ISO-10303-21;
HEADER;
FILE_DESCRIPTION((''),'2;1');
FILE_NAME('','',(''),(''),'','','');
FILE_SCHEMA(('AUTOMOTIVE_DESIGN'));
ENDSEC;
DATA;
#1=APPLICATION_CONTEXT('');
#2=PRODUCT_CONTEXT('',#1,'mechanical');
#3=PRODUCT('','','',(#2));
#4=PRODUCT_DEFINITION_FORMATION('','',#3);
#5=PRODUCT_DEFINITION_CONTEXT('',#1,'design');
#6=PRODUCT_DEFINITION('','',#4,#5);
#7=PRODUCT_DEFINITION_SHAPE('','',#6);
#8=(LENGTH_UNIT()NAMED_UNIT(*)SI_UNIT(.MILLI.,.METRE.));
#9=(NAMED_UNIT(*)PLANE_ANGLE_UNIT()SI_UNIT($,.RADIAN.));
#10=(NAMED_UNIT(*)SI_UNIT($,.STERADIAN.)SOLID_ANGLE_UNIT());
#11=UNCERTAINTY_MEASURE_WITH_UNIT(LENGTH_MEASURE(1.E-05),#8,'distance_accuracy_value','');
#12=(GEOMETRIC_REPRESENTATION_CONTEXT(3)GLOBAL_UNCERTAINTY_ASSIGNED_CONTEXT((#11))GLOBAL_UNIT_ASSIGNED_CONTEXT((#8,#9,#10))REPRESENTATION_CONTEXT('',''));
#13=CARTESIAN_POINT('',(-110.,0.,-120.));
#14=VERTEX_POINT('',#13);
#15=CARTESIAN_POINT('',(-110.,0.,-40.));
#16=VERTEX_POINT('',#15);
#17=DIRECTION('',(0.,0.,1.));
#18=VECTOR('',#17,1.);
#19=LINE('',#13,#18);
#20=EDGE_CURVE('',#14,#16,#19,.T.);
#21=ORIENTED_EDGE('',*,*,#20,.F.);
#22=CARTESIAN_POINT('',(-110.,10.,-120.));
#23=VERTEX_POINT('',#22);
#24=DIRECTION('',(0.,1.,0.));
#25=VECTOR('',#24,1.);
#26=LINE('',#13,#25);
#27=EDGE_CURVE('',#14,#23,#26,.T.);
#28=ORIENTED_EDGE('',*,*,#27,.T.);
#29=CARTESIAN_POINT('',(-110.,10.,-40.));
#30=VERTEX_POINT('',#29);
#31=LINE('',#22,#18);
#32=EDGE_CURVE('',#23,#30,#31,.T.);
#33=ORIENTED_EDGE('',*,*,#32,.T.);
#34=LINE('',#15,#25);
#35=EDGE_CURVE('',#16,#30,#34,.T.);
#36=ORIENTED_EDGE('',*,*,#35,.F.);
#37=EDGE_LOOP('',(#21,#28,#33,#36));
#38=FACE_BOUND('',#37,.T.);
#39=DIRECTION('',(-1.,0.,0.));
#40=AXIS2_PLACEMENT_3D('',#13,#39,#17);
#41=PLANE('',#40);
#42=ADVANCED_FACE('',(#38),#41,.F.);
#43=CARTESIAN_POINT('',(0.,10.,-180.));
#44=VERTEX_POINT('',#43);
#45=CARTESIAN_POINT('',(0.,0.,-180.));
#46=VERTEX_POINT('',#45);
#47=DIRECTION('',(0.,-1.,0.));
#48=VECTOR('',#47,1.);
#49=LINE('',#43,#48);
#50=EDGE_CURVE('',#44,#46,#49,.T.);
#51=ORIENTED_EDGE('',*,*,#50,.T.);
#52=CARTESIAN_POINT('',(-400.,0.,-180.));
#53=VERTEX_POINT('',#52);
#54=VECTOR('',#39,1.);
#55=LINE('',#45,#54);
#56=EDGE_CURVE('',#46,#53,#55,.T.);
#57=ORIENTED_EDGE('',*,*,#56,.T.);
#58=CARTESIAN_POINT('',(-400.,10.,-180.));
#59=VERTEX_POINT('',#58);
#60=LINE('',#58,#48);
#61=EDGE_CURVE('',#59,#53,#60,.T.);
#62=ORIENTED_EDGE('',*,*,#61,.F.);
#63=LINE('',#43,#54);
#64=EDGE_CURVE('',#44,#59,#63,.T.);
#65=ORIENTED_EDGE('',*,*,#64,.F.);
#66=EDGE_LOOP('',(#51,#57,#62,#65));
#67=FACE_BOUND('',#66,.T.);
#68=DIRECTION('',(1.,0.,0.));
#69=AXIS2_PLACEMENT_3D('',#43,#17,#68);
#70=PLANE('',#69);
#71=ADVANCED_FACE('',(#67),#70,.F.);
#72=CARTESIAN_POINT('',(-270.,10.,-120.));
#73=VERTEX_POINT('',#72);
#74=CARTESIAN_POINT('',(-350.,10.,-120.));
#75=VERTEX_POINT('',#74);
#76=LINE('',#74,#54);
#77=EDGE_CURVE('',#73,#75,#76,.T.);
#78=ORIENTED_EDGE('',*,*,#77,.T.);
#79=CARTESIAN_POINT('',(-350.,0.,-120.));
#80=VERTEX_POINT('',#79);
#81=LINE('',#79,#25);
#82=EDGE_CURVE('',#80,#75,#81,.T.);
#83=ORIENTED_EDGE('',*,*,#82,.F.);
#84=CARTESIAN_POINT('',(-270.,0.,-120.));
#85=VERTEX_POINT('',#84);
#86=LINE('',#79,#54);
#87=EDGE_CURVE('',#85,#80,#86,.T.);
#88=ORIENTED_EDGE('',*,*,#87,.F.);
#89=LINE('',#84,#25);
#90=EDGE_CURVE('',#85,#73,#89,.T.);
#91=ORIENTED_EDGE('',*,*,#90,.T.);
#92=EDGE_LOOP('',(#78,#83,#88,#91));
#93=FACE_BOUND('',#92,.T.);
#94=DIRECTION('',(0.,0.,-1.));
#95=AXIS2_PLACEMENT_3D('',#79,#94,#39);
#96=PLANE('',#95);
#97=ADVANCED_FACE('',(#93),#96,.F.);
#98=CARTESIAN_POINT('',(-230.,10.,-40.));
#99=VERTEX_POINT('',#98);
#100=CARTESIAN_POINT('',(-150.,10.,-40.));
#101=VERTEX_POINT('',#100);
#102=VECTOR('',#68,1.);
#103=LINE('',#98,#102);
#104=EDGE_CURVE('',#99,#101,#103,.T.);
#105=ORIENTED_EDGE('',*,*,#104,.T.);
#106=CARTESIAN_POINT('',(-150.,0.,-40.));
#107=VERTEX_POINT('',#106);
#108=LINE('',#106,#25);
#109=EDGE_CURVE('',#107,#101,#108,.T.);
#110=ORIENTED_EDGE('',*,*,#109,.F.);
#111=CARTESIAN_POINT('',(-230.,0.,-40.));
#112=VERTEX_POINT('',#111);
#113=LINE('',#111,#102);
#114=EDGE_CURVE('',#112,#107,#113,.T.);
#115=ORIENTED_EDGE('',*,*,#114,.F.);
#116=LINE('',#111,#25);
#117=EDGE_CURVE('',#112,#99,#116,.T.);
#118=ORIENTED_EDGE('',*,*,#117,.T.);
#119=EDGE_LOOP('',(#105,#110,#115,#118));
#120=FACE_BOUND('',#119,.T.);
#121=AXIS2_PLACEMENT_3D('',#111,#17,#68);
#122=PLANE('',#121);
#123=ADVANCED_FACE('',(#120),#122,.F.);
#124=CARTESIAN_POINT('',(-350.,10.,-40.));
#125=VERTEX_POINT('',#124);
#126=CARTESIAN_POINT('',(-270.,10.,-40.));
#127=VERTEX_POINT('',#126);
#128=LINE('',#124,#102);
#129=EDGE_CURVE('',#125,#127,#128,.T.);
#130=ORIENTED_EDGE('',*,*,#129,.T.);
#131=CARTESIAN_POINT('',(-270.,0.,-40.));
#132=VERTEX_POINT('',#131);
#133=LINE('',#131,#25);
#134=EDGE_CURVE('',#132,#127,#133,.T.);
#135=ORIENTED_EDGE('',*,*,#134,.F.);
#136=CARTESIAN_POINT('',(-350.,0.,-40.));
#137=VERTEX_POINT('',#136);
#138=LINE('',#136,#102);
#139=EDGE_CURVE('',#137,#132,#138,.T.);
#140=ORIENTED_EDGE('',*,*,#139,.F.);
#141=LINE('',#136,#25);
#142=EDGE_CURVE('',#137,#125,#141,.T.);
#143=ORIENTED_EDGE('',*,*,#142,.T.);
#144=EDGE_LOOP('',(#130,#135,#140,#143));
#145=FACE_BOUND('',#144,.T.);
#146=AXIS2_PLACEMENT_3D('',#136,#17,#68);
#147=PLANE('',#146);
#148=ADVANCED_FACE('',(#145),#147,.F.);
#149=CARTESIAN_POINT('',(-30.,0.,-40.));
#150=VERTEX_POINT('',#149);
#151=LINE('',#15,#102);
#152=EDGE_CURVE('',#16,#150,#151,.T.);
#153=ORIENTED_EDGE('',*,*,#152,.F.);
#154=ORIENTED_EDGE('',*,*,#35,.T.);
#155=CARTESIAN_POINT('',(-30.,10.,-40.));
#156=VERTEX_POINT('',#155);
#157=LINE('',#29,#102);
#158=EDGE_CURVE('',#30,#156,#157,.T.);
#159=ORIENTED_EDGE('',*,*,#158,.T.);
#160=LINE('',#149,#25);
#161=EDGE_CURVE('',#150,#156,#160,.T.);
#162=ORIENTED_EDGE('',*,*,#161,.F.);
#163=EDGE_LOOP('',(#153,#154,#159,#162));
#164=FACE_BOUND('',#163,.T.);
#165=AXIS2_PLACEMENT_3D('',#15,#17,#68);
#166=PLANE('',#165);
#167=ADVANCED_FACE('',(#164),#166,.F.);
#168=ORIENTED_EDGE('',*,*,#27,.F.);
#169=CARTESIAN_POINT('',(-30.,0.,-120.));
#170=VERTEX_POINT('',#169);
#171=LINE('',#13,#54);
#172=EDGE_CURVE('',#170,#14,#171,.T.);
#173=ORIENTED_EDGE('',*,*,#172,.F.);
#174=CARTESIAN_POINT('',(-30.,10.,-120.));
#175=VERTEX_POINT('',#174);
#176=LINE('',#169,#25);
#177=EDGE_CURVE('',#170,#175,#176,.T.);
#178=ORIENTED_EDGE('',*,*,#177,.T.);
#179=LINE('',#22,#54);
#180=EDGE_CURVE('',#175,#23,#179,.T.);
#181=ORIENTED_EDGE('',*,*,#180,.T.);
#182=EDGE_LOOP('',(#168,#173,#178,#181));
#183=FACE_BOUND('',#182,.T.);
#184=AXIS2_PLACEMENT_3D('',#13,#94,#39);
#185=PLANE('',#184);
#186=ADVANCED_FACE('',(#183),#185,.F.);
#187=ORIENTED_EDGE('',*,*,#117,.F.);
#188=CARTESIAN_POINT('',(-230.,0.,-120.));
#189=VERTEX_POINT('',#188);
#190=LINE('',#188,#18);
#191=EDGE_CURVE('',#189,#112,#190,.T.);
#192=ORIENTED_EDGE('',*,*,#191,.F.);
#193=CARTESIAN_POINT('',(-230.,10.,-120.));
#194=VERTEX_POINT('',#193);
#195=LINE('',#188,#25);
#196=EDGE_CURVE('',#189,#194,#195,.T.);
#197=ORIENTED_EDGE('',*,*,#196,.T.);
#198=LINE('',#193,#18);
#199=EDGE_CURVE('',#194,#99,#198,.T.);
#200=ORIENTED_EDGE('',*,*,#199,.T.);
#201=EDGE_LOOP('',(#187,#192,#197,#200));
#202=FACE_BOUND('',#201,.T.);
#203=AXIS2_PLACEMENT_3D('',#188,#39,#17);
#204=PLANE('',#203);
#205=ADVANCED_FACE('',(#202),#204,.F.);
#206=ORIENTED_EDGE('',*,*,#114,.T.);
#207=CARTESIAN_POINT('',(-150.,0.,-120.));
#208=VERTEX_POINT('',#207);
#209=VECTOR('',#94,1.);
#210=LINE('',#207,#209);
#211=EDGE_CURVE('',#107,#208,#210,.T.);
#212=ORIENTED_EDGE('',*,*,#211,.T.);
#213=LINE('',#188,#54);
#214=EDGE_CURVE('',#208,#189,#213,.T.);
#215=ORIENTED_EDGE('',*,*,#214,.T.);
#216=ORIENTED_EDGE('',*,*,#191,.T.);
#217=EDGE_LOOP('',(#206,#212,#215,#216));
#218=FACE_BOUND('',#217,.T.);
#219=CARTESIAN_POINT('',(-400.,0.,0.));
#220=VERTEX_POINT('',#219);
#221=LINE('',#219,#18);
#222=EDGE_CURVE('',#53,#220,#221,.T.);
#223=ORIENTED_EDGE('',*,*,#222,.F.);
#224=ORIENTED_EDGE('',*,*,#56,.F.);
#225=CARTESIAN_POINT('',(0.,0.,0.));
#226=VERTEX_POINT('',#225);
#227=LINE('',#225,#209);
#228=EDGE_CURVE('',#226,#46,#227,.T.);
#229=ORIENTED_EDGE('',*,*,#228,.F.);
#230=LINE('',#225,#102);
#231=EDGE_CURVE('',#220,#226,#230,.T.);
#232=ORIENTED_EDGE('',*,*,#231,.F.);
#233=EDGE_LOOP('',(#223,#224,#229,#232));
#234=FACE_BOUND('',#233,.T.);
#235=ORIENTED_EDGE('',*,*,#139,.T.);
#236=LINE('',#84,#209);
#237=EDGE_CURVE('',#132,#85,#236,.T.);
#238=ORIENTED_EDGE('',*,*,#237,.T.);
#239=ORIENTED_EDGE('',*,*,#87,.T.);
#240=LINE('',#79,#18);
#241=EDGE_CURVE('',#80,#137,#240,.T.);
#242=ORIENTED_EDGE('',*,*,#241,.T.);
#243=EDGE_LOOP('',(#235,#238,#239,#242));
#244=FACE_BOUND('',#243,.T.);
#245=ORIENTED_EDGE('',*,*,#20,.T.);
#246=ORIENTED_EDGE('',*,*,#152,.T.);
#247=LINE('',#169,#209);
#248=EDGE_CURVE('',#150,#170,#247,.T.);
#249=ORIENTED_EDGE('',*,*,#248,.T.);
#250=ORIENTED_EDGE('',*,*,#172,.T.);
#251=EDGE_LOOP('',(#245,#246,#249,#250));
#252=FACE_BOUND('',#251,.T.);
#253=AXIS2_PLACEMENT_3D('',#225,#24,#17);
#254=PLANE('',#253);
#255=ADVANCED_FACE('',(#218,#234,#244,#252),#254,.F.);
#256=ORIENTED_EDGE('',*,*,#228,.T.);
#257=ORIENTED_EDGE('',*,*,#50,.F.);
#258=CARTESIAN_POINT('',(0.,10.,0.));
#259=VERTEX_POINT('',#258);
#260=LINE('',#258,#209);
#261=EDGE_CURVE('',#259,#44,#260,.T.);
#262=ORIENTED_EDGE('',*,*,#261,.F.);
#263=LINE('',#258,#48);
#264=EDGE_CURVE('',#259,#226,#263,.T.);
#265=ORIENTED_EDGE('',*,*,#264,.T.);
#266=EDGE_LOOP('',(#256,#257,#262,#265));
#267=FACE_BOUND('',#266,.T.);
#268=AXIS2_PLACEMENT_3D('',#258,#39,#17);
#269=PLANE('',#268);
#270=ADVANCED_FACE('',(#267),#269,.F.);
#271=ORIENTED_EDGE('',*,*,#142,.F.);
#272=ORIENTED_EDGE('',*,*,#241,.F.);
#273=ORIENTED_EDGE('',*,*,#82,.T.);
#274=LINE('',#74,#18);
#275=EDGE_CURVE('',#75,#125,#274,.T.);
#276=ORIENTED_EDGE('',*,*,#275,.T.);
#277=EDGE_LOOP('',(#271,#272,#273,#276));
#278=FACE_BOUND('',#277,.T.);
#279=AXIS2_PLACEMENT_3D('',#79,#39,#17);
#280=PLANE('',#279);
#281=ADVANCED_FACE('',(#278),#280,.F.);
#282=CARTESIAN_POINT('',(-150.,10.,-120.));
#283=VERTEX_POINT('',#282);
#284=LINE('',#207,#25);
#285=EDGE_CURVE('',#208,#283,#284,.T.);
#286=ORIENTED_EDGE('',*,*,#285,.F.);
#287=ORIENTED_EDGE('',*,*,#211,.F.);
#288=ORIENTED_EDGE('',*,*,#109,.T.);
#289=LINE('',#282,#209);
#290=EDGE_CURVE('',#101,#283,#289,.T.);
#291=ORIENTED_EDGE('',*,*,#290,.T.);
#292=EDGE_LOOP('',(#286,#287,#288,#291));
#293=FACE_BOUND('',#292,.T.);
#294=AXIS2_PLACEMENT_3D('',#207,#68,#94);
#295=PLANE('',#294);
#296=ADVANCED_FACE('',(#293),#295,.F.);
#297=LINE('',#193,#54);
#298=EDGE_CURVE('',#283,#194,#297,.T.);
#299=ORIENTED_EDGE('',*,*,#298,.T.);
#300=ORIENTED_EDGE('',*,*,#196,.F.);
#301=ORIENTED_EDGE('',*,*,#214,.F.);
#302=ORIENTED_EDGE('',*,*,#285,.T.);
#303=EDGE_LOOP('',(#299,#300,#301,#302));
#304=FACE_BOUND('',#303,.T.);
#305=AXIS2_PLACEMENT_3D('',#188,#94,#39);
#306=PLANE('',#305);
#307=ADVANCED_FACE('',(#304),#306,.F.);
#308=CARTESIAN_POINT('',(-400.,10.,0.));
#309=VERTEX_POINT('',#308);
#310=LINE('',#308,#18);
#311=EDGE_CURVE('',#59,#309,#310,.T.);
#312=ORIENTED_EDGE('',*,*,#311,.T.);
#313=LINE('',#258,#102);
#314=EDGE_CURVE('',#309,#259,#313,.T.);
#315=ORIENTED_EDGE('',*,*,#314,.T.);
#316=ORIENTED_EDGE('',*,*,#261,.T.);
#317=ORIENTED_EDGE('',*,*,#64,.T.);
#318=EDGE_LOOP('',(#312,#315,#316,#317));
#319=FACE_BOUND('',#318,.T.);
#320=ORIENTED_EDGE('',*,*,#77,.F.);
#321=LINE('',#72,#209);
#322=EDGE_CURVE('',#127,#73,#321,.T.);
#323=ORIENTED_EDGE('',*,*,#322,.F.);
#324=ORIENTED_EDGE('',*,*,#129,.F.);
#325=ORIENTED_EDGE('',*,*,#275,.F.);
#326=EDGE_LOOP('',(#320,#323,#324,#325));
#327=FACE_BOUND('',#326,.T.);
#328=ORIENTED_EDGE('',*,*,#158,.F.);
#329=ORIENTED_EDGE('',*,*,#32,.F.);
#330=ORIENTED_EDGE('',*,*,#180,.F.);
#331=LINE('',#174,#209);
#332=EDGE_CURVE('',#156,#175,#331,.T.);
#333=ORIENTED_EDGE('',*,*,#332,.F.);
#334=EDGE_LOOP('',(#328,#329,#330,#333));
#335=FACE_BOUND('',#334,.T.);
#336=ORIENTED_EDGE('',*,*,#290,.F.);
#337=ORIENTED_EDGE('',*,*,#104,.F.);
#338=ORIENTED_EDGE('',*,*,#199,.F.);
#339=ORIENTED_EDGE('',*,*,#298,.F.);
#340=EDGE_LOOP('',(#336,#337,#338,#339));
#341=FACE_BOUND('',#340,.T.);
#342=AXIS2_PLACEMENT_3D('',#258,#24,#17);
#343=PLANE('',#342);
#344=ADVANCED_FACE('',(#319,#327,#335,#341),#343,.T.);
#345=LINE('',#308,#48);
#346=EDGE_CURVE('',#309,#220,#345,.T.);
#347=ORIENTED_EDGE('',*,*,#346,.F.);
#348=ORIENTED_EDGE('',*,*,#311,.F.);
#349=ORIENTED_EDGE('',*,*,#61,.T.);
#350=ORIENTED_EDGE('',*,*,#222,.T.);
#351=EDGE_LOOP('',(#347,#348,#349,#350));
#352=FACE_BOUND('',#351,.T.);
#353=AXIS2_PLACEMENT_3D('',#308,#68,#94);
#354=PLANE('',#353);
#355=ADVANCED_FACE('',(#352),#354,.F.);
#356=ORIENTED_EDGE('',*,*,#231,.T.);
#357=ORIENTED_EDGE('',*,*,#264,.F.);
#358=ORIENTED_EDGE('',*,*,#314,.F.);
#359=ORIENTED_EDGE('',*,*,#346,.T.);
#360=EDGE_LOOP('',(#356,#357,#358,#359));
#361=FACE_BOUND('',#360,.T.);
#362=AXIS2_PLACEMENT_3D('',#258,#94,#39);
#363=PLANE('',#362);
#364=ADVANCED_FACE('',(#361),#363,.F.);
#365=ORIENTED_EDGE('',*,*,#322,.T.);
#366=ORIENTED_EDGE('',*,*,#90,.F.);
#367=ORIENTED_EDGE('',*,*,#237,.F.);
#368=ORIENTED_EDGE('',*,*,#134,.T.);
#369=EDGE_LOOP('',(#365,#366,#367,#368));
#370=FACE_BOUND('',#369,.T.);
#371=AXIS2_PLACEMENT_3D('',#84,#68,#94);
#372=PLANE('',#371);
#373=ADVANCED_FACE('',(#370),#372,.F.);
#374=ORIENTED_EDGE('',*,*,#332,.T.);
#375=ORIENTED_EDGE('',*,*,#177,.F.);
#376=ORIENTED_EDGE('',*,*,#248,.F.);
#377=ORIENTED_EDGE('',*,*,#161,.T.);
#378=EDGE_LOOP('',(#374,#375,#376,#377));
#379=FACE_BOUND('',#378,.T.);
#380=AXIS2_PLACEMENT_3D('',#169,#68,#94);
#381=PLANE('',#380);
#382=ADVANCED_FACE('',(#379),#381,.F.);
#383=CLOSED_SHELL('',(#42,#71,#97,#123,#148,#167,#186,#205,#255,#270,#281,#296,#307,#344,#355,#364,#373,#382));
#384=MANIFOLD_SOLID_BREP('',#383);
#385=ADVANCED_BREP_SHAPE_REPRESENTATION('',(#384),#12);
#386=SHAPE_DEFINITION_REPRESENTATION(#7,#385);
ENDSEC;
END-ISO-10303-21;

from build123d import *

# Parameters (mm, degrees)
ESQUISSE1_W             = 400
ESQUISSE1_H             = 180
BOSS_EXTRU_1_DEPTH      = 10
ESQUISSE2_W             = 80
ESQUISSE2_H             = 80
ENL_V_MAT_EXTRU_1_DEPTH = 10


with BuildPart() as part:
    # Esquisse1 → Boss.-Extru.1 (new body)
    with BuildSketch(Plane(origin=(0, 0, 0), x_dir=(1, 0, 0), z_dir=(0, 1, 0))):
        with Locations((-200, 90)):
            Rectangle(ESQUISSE1_W, ESQUISSE1_H)
    extrude(amount=BOSS_EXTRU_1_DEPTH)

    # Esquisse2 → Enlèv. mat.-Extru.1 (cut)
    with BuildSketch(Plane(origin=(0, 10, 0), x_dir=(1, 0, 0), z_dir=(0, 1, 0))):
        with Locations((-310, 80)):
            Rectangle(ESQUISSE2_W, ESQUISSE2_H)
        with Locations((-190, 80)):
            Rectangle(ESQUISSE2_W, ESQUISSE2_H)
        with Locations((-70, 80)):
            Rectangle(ESQUISSE2_W, ESQUISSE2_H)
    extrude(amount=-ENL_V_MAT_EXTRU_1_DEPTH, mode=Mode.SUBTRACT)


solid = part.part
